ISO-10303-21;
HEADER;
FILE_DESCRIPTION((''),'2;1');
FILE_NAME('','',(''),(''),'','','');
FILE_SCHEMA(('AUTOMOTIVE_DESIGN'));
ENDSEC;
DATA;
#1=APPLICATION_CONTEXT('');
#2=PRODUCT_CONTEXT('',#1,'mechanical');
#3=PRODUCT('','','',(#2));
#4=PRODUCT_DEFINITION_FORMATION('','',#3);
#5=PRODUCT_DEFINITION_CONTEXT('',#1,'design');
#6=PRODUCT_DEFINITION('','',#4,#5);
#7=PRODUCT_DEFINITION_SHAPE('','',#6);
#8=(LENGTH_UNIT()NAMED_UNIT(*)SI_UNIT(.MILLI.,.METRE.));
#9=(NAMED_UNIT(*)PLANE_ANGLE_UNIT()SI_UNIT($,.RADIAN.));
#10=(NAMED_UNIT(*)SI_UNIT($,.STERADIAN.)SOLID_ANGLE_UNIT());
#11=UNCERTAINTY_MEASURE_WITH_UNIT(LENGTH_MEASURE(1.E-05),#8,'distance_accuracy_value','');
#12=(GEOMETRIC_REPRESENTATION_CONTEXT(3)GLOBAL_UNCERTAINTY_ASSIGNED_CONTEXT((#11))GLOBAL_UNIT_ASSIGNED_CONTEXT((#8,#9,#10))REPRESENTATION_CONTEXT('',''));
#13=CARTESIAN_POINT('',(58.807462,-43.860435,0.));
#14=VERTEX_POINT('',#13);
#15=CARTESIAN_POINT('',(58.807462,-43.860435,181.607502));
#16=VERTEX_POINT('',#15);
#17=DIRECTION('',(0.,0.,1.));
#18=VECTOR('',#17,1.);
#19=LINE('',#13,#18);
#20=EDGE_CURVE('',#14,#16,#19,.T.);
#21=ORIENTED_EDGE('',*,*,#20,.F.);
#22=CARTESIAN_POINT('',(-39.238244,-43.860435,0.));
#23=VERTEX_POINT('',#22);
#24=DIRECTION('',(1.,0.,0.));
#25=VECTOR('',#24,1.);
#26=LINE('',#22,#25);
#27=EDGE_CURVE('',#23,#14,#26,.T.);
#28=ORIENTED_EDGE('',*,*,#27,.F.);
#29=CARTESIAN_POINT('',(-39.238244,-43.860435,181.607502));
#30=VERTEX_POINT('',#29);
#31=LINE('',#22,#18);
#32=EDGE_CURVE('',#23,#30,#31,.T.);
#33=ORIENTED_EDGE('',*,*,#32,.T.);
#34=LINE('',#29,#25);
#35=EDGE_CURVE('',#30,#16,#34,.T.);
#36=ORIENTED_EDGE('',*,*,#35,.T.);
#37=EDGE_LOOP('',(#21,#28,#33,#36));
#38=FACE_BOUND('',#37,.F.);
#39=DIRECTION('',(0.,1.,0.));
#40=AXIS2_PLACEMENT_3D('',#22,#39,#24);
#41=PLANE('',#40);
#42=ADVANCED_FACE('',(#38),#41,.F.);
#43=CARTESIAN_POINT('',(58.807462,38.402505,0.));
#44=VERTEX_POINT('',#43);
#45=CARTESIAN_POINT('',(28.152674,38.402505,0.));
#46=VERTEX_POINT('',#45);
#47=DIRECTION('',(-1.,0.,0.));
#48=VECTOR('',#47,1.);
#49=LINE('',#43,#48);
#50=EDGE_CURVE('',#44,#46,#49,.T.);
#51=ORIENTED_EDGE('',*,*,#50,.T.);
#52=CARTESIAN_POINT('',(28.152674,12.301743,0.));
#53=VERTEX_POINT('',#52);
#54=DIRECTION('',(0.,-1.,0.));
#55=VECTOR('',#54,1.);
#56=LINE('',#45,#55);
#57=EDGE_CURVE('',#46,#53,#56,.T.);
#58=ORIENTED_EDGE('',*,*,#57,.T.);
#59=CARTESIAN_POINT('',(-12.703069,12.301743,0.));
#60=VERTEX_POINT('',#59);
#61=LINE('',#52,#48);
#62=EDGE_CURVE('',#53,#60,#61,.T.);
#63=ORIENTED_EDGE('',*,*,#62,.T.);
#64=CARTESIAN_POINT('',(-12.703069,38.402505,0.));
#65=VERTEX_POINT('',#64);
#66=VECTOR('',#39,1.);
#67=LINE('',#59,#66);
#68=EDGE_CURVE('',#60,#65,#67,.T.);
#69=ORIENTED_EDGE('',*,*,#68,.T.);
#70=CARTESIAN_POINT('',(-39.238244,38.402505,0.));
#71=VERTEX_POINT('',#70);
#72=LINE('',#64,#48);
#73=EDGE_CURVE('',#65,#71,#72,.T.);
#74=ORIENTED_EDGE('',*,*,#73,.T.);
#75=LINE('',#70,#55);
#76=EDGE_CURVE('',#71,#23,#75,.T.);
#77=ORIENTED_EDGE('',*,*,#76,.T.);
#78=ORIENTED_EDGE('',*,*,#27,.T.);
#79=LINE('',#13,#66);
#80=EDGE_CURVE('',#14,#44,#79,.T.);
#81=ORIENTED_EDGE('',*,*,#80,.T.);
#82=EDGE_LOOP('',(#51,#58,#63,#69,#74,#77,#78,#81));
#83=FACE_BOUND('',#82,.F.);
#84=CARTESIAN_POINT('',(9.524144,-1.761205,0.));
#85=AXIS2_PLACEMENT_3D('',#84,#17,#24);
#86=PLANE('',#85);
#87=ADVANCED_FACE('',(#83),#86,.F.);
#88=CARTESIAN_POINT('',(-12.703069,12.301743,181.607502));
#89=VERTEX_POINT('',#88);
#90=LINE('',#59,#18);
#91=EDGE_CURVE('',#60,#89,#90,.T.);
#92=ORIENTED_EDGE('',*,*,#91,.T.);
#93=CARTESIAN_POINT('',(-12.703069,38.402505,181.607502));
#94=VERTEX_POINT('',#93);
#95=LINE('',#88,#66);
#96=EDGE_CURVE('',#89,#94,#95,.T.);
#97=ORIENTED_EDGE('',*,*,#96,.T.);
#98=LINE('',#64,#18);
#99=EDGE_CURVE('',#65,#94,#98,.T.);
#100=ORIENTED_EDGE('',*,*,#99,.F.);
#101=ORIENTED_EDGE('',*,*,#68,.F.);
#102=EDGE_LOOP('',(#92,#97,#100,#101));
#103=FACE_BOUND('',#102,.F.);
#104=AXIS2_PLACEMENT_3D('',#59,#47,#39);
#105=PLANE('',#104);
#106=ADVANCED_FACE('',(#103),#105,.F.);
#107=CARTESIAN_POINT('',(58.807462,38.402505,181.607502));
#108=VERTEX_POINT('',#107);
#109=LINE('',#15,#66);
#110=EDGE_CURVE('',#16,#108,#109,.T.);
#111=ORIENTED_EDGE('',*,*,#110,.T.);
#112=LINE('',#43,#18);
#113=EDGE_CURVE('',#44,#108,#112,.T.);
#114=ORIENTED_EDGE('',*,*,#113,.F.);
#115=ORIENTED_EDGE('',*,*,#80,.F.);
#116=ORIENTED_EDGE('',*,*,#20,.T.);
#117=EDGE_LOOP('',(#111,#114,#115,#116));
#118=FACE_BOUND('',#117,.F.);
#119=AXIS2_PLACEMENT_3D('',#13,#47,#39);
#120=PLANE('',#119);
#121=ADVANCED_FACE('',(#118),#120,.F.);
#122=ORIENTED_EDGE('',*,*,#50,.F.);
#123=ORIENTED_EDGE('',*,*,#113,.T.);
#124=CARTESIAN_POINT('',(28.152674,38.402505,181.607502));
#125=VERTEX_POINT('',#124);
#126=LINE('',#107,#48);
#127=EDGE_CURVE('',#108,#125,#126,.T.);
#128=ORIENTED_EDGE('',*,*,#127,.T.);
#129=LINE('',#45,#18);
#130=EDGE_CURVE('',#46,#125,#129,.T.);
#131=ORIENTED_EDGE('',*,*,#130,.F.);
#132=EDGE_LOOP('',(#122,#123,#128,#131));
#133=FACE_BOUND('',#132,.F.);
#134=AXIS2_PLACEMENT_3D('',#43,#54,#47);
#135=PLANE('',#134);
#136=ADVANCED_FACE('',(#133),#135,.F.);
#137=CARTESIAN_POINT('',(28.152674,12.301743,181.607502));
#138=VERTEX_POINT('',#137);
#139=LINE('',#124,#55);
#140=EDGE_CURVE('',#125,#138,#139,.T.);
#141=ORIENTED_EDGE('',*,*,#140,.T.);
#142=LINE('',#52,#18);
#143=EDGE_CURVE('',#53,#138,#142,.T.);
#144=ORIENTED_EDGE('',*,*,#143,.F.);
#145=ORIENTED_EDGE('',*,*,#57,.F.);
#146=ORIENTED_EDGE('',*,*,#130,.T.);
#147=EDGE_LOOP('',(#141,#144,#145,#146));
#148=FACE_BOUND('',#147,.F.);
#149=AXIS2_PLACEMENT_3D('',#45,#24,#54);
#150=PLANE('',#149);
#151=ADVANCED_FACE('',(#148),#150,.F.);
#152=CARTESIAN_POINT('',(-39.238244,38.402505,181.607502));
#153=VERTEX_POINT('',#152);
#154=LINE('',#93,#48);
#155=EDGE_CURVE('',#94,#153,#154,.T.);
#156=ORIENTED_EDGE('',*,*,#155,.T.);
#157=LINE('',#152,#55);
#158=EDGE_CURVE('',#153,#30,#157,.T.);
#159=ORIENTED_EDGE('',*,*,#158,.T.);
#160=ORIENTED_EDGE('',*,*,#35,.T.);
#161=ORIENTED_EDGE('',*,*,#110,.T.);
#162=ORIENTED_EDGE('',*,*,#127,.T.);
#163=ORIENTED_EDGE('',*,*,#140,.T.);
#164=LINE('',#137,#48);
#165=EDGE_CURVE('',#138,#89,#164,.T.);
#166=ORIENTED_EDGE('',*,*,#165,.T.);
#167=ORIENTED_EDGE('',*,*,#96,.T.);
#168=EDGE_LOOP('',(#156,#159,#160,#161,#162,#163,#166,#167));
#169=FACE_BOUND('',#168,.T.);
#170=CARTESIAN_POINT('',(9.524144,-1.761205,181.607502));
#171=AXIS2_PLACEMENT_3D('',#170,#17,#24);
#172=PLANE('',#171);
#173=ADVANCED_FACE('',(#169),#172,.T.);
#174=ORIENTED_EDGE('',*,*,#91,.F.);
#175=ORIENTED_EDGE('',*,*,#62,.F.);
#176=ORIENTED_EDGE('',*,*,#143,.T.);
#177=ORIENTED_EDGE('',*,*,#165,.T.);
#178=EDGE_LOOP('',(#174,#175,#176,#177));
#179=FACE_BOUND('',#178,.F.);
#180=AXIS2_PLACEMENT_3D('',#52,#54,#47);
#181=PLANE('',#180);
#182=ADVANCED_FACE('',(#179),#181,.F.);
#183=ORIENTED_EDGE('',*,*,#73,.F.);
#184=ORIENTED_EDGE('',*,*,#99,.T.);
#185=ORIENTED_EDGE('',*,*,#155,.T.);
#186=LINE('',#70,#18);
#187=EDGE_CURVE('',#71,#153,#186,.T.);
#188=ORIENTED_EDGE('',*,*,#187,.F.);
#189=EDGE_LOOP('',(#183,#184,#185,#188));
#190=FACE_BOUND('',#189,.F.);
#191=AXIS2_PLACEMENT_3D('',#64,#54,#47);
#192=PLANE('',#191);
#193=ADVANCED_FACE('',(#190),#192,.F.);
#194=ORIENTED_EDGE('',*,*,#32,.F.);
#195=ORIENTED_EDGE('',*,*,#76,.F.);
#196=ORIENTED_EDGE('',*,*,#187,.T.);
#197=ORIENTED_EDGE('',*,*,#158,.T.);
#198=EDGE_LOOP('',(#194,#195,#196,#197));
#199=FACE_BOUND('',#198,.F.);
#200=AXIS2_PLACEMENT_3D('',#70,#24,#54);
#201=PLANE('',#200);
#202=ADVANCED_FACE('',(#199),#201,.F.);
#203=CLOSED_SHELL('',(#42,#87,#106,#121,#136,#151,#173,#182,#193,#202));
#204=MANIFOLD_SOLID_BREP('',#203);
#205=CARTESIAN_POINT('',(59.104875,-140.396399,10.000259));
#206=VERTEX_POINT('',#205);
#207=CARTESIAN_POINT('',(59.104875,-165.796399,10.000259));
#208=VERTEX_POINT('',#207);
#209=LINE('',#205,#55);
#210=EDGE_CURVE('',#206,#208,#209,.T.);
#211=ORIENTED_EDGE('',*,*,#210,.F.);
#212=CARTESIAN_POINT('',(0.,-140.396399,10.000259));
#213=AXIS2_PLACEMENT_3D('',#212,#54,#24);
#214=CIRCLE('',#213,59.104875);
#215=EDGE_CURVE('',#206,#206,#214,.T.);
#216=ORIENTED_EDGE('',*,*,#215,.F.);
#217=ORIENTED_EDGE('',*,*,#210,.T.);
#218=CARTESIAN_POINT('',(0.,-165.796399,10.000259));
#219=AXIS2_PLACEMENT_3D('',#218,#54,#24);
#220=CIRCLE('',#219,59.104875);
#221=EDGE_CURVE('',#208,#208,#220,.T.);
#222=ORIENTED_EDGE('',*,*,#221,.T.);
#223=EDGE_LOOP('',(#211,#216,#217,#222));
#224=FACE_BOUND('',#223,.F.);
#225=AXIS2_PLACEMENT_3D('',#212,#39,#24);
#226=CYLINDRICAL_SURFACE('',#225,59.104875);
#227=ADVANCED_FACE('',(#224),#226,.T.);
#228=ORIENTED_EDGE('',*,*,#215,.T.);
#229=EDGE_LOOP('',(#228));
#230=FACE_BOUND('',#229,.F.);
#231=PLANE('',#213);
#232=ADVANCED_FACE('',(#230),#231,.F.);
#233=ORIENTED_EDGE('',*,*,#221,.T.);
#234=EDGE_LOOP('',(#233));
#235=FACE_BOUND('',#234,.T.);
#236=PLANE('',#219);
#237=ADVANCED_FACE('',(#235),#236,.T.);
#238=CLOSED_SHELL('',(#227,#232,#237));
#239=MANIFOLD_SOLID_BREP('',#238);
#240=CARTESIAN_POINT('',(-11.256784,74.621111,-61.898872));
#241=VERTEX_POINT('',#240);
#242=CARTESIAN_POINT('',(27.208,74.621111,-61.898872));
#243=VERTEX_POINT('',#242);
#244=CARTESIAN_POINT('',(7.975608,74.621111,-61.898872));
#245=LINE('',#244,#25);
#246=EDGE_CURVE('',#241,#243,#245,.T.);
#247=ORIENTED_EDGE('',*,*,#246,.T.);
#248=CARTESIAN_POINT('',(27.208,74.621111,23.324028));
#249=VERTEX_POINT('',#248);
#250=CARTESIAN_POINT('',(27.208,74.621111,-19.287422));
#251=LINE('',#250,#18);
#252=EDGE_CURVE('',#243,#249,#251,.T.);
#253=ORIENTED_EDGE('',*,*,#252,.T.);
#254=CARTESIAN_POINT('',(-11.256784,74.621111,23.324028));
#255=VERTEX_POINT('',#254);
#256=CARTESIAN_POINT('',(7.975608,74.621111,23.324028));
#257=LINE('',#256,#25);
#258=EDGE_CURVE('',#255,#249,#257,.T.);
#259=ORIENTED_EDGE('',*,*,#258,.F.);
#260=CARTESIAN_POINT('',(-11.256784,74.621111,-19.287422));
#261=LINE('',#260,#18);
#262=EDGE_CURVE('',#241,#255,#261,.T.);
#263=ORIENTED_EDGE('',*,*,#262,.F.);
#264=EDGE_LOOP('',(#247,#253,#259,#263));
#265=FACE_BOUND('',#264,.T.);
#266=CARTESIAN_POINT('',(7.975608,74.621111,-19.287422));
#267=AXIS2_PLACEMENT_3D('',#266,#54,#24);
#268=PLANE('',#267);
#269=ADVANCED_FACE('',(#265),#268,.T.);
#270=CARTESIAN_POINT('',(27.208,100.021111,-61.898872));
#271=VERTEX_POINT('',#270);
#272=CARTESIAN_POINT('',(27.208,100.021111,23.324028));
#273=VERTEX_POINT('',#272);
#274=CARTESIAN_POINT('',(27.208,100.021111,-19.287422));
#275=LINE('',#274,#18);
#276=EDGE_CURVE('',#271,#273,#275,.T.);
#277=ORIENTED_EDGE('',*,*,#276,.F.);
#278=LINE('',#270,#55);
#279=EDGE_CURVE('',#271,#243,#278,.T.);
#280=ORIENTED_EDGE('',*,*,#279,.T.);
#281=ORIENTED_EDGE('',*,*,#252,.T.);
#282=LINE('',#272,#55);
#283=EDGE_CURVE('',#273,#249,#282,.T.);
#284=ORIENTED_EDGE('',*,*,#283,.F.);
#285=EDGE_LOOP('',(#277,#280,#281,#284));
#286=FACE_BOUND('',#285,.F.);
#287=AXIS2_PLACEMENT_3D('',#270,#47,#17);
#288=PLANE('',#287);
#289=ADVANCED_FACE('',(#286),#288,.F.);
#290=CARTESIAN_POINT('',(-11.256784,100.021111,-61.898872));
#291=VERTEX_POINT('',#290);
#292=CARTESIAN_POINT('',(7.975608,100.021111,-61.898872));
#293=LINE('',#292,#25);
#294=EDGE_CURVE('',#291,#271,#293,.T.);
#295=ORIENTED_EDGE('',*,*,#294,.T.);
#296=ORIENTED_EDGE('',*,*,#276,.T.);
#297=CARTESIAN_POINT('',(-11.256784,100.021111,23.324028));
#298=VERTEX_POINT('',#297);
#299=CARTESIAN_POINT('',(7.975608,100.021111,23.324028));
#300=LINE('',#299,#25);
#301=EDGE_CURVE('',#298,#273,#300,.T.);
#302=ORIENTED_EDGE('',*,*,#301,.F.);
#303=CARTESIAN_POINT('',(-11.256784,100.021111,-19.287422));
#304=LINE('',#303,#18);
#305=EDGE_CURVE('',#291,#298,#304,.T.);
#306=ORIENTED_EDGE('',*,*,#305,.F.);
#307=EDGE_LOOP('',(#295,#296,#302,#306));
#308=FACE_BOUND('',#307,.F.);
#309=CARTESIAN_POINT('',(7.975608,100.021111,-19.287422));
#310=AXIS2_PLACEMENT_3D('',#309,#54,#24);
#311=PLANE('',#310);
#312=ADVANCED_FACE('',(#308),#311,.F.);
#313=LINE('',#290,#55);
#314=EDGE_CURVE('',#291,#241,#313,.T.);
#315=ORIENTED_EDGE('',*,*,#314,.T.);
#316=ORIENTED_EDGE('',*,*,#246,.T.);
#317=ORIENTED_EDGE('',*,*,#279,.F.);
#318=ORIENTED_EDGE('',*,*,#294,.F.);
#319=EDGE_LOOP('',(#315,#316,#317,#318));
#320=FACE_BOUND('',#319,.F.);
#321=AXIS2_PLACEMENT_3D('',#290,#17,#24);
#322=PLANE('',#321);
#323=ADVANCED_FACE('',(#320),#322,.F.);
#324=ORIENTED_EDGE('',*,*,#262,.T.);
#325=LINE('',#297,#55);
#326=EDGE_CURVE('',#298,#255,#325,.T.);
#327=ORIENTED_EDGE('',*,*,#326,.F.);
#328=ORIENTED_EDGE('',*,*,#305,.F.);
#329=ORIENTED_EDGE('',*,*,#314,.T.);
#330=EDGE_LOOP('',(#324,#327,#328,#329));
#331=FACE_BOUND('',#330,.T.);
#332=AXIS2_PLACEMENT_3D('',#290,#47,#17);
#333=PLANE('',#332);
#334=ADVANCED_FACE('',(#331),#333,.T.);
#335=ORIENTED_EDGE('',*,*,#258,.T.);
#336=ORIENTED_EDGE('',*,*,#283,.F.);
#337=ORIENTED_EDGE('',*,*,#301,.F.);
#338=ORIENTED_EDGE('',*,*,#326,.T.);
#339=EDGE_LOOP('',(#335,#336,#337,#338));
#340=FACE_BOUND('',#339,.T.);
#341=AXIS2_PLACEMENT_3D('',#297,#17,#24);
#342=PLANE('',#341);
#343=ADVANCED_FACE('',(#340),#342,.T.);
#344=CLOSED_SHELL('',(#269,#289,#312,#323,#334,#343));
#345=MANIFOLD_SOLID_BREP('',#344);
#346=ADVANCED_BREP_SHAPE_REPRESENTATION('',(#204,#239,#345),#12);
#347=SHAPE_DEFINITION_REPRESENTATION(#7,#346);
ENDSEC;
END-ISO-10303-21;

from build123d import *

# Parameters (mm, degrees)
F1_DEPTH = 181.607502
F3_W     = 38.464784
F3_H     = 85.2229
F4_DEPTH = 25.4
F6_R     = 59.104875
F7_DEPTH = 25.4


with BuildPart() as f1:
    # F0 (on Top) → F1 (new body)
    with BuildSketch(Plane.XY):
        Polygon((-12.703069, 38.402505), (-39.238244, 38.402505), (-39.238244, -43.860435), (58.807462, -43.860435), (58.807462, 38.402505), (28.152674, 38.402505), (28.152674, 12.301743), (-12.703069, 12.301743), align=None)
    extrude(amount=F1_DEPTH)


with BuildPart() as f4:
    # F3 (on offset) → F4 (new body)
    with BuildSketch(Plane.XZ.offset(-100.021111)):
        with Locations((7.975608, -19.287422)):
            Rectangle(F3_W, F3_H)
    extrude(amount=F4_DEPTH)


with BuildPart() as f7:
    # F6 (on offset) → F7 (new body)
    with BuildSketch(Plane.XZ.offset(140.396399)):
        with Locations((0, 10.000259)):
            Circle(F6_R)
    extrude(amount=F7_DEPTH)


solid = Compound([f1.part, f4.part, f7.part])
